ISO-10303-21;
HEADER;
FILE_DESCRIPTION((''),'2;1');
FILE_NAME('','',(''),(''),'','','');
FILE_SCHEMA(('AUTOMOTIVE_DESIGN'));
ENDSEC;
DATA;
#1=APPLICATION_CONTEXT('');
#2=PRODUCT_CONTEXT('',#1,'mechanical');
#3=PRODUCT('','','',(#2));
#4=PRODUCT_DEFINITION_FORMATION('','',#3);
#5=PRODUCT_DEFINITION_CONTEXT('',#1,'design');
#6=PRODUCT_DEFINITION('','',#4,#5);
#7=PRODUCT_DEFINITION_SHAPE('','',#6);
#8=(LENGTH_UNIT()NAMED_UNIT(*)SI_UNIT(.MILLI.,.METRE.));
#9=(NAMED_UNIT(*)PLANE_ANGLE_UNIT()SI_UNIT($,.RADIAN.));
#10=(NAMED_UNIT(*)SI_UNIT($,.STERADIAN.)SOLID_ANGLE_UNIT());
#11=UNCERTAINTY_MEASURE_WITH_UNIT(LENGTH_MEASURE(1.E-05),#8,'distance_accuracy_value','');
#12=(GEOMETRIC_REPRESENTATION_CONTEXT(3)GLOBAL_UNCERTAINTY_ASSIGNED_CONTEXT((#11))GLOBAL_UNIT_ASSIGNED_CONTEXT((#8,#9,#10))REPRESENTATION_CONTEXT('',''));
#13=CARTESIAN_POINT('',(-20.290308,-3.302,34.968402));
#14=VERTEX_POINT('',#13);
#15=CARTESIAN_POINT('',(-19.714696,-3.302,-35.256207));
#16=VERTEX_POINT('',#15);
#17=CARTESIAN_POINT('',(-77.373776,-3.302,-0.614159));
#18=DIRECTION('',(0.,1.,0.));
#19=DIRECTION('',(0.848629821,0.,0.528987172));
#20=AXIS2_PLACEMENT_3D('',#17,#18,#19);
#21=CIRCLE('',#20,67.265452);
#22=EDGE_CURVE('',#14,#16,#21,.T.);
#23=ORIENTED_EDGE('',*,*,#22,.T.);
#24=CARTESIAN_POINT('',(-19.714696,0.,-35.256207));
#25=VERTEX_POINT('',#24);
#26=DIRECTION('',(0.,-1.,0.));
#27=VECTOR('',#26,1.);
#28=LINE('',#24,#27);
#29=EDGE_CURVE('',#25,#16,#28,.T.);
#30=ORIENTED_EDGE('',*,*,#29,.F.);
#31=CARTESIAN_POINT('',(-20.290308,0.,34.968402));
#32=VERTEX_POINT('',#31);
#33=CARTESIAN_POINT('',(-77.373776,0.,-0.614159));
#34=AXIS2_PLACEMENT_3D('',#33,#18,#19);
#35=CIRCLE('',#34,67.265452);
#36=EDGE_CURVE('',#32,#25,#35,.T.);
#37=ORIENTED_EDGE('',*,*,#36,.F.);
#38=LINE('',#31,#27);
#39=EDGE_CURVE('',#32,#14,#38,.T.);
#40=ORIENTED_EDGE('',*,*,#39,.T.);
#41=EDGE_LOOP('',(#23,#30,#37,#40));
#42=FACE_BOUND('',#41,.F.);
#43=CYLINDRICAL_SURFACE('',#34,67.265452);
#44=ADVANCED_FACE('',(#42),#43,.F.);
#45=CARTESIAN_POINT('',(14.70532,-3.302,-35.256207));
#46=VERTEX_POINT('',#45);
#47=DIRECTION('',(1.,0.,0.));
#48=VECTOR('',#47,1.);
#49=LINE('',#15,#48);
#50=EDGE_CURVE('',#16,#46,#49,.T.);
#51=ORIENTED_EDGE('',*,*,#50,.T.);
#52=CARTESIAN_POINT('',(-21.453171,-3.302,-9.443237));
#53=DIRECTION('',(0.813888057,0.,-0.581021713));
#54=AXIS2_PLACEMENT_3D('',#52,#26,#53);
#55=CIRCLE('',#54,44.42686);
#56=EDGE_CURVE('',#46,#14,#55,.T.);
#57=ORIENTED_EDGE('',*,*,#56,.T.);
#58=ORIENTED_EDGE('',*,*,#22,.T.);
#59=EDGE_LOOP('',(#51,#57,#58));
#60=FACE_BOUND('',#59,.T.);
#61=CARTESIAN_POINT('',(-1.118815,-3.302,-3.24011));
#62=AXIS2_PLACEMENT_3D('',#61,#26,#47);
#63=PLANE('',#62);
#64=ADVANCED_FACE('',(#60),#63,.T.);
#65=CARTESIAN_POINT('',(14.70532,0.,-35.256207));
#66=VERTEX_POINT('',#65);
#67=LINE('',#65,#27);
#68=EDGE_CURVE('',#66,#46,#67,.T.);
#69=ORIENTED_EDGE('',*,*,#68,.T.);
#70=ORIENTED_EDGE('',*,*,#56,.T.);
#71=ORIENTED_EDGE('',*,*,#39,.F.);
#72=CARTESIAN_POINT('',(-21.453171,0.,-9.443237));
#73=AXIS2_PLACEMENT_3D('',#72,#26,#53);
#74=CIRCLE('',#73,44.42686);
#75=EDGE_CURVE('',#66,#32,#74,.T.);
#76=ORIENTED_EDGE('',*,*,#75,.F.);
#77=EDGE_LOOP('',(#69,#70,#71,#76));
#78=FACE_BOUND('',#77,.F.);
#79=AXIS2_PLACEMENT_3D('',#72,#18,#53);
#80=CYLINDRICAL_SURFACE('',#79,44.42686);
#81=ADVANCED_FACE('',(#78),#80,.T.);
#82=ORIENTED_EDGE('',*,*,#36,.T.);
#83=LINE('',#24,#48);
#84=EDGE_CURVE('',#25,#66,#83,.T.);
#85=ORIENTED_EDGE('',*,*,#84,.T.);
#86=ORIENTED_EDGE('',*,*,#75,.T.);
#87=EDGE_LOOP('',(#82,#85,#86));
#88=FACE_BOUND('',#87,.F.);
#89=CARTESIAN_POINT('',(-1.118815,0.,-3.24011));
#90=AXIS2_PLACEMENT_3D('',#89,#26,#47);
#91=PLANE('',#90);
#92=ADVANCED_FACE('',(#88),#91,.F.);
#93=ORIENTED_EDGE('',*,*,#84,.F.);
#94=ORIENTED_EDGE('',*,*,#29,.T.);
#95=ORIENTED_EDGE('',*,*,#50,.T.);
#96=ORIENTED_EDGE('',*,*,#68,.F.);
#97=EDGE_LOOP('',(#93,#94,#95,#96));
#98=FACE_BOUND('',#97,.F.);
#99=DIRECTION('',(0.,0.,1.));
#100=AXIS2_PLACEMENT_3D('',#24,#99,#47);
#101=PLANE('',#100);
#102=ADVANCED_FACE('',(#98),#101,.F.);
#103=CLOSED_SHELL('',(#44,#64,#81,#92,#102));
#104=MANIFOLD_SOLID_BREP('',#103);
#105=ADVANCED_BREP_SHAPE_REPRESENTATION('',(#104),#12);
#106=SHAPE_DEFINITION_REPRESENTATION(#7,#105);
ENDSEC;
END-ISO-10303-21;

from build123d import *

# Parameters (mm, degrees)
F1_DEPTH = 3.302


with BuildPart() as f1:
    # F0 (on Front) → F1 (new body)
    with BuildSketch(Plane.XZ):
        with BuildLine():
            ThreePointArc((-20.290308, 34.968402), (-10.110584, -0.062821), (-19.714696, -35.256207))
            Line((-19.714696, -35.256207), (14.70532, -35.256207))
            ThreePointArc((14.70532, -35.256207), (18.309812, 10.372189), (-20.290308, 34.968402))
        make_face()
    extrude(amount=F1_DEPTH)


solid = f1.part
